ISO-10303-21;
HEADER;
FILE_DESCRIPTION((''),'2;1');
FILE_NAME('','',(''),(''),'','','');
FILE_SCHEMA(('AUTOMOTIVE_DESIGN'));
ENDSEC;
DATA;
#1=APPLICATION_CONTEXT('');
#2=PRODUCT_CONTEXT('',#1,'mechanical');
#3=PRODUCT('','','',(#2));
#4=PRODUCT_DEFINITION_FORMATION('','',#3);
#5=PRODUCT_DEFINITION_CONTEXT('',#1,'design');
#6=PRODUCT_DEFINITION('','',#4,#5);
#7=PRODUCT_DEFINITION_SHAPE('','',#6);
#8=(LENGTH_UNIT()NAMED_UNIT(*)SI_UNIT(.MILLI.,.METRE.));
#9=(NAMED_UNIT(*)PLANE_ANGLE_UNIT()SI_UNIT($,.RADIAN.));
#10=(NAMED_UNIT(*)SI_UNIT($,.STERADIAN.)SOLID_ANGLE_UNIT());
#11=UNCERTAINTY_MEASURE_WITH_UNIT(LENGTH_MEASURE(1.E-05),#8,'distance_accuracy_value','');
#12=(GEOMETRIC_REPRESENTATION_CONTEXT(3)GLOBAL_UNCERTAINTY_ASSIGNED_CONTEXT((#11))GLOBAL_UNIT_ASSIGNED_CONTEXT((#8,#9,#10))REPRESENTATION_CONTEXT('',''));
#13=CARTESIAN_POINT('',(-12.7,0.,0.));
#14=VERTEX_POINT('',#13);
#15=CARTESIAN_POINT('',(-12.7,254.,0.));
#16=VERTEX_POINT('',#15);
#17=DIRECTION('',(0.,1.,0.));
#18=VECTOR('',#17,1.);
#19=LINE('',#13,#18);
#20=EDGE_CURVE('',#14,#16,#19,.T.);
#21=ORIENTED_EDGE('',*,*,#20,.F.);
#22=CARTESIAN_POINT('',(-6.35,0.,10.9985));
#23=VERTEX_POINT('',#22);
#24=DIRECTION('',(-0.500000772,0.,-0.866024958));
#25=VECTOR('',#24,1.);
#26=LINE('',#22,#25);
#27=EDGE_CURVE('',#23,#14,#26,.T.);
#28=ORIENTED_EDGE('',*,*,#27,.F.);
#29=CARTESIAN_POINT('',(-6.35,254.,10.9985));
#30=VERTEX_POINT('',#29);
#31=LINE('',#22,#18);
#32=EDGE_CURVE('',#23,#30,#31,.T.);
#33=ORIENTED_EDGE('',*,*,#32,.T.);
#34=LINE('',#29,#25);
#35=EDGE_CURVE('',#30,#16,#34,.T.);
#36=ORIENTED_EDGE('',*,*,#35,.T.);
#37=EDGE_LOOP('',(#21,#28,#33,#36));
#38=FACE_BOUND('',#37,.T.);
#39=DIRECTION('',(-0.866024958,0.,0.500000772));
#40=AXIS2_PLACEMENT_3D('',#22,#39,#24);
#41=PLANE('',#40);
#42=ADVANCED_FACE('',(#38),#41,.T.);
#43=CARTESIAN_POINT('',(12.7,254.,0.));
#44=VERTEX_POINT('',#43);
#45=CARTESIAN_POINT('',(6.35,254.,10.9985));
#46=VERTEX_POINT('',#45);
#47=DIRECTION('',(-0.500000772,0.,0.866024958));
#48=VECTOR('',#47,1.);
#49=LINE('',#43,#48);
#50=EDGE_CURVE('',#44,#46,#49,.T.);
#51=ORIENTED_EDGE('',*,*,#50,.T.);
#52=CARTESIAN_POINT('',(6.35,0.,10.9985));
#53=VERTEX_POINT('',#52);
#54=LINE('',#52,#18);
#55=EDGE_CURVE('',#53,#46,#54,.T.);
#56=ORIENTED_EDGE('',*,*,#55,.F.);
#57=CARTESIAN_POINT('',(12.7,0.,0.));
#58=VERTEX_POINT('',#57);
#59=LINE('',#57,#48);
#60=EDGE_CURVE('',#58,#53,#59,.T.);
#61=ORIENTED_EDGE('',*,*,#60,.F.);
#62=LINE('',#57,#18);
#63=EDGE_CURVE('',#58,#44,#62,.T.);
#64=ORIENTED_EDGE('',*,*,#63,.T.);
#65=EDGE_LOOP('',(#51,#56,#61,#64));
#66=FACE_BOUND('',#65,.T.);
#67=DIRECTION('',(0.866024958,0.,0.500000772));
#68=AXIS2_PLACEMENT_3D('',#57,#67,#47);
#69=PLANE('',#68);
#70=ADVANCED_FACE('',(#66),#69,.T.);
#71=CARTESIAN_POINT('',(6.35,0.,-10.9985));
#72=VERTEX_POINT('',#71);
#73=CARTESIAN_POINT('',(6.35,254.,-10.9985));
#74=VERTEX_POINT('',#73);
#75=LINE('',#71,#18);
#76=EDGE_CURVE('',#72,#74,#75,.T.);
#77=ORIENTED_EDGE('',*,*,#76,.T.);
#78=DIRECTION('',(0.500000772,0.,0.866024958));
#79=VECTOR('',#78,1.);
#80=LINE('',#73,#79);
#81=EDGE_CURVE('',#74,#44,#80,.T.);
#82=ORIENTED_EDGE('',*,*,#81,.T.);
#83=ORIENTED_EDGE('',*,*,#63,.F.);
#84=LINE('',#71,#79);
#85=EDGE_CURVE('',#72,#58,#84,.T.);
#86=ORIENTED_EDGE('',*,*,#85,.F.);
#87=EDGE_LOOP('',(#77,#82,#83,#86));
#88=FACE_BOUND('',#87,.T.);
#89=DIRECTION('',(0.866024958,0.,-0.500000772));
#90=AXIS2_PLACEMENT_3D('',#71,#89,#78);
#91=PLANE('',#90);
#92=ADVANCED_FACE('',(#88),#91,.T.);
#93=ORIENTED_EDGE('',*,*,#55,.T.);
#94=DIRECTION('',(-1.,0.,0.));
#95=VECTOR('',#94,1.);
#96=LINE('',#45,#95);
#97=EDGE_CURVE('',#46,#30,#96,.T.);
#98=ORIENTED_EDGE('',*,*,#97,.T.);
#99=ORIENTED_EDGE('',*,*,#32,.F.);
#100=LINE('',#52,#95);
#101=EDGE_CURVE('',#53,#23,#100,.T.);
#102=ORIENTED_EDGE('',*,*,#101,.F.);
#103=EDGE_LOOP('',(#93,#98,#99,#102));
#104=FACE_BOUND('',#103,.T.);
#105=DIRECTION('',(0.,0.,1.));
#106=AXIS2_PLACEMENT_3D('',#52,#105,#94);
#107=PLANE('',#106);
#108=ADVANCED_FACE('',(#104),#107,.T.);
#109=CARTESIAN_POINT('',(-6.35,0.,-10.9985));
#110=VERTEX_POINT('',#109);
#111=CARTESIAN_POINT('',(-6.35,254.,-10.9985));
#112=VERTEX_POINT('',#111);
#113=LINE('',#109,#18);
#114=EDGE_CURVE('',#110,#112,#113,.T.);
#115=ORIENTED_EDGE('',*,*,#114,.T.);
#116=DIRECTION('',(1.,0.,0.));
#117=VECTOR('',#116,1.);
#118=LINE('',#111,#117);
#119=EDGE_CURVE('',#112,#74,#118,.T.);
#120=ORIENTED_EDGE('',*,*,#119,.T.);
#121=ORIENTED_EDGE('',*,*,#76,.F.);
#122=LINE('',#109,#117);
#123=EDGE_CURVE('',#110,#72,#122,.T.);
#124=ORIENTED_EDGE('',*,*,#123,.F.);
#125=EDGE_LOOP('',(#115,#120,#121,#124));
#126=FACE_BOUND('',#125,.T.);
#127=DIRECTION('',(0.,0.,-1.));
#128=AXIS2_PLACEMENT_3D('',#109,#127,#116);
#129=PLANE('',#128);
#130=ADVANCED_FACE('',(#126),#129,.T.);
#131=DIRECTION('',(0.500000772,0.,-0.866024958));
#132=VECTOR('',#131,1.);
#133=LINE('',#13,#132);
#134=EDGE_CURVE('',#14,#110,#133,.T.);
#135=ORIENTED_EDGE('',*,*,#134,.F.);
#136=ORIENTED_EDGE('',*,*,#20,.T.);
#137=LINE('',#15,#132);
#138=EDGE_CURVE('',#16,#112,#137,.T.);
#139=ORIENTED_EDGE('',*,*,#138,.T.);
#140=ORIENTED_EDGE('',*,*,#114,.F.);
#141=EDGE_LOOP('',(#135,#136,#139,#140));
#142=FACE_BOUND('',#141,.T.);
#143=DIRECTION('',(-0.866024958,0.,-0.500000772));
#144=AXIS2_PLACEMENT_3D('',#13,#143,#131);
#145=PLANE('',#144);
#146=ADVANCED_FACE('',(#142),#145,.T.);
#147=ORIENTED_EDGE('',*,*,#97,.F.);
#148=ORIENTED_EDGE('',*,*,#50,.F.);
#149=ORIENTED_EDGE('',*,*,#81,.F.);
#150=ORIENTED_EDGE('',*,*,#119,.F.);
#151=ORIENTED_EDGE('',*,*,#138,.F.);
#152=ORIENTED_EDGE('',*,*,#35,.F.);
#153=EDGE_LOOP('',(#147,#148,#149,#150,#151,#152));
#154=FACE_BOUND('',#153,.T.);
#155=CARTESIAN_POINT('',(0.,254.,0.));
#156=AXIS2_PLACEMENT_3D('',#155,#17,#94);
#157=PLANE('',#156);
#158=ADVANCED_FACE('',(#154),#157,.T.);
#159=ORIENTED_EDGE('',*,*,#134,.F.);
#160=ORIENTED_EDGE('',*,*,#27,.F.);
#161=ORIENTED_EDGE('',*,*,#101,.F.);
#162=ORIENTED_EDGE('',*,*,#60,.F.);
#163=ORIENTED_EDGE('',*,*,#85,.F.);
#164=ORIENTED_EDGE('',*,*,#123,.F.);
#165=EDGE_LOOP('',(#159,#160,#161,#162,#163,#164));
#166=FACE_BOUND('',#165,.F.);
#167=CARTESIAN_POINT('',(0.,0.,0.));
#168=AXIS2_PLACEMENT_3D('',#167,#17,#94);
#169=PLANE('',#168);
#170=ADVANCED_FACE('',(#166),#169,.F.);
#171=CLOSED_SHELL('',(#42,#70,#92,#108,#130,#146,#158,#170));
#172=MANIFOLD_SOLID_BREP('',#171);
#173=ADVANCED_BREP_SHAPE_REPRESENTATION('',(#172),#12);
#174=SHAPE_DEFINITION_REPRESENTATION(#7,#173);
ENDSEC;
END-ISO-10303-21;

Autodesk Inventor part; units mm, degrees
ref_plane "YZ Plane" through (0, 0, 0) normal (1, 0, 0) x (0, 1, 0)
ref_plane "XZ Plane" through (0, 0, 0) normal (0, 1, 0) x (-1, 0, 0)
ref_plane "XY Plane" through (0, 0, 0) normal (0, 0, 1) x (1, 0, 0)
sketch "Sketch1" plane through (0, 0, 0) normal (0, 1, 0) x (-1, 0, 0)
  line L0 (0, 0) -> (12.7, 0)
  line L1 (12.7, 0) -> (6.35, -10.9985)
  line L2 (6.35, -10.9985) -> (-6.35, -10.9985)
  line L3 (-6.35, -10.9985) -> (-12.7, 0)
  line L4 (-12.7, 0) -> (-6.35, 10.9985)
  line L5 (-6.35, 10.9985) -> (6.35, 10.9985)
  line L6 (6.35, 10.9985) -> (12.7, 0)
  dimension "d0" = 12.7
extrude "Extrusion1" add sketch "Sketch1" along normal blind 254
properties part number "6x10inAxleV1"
